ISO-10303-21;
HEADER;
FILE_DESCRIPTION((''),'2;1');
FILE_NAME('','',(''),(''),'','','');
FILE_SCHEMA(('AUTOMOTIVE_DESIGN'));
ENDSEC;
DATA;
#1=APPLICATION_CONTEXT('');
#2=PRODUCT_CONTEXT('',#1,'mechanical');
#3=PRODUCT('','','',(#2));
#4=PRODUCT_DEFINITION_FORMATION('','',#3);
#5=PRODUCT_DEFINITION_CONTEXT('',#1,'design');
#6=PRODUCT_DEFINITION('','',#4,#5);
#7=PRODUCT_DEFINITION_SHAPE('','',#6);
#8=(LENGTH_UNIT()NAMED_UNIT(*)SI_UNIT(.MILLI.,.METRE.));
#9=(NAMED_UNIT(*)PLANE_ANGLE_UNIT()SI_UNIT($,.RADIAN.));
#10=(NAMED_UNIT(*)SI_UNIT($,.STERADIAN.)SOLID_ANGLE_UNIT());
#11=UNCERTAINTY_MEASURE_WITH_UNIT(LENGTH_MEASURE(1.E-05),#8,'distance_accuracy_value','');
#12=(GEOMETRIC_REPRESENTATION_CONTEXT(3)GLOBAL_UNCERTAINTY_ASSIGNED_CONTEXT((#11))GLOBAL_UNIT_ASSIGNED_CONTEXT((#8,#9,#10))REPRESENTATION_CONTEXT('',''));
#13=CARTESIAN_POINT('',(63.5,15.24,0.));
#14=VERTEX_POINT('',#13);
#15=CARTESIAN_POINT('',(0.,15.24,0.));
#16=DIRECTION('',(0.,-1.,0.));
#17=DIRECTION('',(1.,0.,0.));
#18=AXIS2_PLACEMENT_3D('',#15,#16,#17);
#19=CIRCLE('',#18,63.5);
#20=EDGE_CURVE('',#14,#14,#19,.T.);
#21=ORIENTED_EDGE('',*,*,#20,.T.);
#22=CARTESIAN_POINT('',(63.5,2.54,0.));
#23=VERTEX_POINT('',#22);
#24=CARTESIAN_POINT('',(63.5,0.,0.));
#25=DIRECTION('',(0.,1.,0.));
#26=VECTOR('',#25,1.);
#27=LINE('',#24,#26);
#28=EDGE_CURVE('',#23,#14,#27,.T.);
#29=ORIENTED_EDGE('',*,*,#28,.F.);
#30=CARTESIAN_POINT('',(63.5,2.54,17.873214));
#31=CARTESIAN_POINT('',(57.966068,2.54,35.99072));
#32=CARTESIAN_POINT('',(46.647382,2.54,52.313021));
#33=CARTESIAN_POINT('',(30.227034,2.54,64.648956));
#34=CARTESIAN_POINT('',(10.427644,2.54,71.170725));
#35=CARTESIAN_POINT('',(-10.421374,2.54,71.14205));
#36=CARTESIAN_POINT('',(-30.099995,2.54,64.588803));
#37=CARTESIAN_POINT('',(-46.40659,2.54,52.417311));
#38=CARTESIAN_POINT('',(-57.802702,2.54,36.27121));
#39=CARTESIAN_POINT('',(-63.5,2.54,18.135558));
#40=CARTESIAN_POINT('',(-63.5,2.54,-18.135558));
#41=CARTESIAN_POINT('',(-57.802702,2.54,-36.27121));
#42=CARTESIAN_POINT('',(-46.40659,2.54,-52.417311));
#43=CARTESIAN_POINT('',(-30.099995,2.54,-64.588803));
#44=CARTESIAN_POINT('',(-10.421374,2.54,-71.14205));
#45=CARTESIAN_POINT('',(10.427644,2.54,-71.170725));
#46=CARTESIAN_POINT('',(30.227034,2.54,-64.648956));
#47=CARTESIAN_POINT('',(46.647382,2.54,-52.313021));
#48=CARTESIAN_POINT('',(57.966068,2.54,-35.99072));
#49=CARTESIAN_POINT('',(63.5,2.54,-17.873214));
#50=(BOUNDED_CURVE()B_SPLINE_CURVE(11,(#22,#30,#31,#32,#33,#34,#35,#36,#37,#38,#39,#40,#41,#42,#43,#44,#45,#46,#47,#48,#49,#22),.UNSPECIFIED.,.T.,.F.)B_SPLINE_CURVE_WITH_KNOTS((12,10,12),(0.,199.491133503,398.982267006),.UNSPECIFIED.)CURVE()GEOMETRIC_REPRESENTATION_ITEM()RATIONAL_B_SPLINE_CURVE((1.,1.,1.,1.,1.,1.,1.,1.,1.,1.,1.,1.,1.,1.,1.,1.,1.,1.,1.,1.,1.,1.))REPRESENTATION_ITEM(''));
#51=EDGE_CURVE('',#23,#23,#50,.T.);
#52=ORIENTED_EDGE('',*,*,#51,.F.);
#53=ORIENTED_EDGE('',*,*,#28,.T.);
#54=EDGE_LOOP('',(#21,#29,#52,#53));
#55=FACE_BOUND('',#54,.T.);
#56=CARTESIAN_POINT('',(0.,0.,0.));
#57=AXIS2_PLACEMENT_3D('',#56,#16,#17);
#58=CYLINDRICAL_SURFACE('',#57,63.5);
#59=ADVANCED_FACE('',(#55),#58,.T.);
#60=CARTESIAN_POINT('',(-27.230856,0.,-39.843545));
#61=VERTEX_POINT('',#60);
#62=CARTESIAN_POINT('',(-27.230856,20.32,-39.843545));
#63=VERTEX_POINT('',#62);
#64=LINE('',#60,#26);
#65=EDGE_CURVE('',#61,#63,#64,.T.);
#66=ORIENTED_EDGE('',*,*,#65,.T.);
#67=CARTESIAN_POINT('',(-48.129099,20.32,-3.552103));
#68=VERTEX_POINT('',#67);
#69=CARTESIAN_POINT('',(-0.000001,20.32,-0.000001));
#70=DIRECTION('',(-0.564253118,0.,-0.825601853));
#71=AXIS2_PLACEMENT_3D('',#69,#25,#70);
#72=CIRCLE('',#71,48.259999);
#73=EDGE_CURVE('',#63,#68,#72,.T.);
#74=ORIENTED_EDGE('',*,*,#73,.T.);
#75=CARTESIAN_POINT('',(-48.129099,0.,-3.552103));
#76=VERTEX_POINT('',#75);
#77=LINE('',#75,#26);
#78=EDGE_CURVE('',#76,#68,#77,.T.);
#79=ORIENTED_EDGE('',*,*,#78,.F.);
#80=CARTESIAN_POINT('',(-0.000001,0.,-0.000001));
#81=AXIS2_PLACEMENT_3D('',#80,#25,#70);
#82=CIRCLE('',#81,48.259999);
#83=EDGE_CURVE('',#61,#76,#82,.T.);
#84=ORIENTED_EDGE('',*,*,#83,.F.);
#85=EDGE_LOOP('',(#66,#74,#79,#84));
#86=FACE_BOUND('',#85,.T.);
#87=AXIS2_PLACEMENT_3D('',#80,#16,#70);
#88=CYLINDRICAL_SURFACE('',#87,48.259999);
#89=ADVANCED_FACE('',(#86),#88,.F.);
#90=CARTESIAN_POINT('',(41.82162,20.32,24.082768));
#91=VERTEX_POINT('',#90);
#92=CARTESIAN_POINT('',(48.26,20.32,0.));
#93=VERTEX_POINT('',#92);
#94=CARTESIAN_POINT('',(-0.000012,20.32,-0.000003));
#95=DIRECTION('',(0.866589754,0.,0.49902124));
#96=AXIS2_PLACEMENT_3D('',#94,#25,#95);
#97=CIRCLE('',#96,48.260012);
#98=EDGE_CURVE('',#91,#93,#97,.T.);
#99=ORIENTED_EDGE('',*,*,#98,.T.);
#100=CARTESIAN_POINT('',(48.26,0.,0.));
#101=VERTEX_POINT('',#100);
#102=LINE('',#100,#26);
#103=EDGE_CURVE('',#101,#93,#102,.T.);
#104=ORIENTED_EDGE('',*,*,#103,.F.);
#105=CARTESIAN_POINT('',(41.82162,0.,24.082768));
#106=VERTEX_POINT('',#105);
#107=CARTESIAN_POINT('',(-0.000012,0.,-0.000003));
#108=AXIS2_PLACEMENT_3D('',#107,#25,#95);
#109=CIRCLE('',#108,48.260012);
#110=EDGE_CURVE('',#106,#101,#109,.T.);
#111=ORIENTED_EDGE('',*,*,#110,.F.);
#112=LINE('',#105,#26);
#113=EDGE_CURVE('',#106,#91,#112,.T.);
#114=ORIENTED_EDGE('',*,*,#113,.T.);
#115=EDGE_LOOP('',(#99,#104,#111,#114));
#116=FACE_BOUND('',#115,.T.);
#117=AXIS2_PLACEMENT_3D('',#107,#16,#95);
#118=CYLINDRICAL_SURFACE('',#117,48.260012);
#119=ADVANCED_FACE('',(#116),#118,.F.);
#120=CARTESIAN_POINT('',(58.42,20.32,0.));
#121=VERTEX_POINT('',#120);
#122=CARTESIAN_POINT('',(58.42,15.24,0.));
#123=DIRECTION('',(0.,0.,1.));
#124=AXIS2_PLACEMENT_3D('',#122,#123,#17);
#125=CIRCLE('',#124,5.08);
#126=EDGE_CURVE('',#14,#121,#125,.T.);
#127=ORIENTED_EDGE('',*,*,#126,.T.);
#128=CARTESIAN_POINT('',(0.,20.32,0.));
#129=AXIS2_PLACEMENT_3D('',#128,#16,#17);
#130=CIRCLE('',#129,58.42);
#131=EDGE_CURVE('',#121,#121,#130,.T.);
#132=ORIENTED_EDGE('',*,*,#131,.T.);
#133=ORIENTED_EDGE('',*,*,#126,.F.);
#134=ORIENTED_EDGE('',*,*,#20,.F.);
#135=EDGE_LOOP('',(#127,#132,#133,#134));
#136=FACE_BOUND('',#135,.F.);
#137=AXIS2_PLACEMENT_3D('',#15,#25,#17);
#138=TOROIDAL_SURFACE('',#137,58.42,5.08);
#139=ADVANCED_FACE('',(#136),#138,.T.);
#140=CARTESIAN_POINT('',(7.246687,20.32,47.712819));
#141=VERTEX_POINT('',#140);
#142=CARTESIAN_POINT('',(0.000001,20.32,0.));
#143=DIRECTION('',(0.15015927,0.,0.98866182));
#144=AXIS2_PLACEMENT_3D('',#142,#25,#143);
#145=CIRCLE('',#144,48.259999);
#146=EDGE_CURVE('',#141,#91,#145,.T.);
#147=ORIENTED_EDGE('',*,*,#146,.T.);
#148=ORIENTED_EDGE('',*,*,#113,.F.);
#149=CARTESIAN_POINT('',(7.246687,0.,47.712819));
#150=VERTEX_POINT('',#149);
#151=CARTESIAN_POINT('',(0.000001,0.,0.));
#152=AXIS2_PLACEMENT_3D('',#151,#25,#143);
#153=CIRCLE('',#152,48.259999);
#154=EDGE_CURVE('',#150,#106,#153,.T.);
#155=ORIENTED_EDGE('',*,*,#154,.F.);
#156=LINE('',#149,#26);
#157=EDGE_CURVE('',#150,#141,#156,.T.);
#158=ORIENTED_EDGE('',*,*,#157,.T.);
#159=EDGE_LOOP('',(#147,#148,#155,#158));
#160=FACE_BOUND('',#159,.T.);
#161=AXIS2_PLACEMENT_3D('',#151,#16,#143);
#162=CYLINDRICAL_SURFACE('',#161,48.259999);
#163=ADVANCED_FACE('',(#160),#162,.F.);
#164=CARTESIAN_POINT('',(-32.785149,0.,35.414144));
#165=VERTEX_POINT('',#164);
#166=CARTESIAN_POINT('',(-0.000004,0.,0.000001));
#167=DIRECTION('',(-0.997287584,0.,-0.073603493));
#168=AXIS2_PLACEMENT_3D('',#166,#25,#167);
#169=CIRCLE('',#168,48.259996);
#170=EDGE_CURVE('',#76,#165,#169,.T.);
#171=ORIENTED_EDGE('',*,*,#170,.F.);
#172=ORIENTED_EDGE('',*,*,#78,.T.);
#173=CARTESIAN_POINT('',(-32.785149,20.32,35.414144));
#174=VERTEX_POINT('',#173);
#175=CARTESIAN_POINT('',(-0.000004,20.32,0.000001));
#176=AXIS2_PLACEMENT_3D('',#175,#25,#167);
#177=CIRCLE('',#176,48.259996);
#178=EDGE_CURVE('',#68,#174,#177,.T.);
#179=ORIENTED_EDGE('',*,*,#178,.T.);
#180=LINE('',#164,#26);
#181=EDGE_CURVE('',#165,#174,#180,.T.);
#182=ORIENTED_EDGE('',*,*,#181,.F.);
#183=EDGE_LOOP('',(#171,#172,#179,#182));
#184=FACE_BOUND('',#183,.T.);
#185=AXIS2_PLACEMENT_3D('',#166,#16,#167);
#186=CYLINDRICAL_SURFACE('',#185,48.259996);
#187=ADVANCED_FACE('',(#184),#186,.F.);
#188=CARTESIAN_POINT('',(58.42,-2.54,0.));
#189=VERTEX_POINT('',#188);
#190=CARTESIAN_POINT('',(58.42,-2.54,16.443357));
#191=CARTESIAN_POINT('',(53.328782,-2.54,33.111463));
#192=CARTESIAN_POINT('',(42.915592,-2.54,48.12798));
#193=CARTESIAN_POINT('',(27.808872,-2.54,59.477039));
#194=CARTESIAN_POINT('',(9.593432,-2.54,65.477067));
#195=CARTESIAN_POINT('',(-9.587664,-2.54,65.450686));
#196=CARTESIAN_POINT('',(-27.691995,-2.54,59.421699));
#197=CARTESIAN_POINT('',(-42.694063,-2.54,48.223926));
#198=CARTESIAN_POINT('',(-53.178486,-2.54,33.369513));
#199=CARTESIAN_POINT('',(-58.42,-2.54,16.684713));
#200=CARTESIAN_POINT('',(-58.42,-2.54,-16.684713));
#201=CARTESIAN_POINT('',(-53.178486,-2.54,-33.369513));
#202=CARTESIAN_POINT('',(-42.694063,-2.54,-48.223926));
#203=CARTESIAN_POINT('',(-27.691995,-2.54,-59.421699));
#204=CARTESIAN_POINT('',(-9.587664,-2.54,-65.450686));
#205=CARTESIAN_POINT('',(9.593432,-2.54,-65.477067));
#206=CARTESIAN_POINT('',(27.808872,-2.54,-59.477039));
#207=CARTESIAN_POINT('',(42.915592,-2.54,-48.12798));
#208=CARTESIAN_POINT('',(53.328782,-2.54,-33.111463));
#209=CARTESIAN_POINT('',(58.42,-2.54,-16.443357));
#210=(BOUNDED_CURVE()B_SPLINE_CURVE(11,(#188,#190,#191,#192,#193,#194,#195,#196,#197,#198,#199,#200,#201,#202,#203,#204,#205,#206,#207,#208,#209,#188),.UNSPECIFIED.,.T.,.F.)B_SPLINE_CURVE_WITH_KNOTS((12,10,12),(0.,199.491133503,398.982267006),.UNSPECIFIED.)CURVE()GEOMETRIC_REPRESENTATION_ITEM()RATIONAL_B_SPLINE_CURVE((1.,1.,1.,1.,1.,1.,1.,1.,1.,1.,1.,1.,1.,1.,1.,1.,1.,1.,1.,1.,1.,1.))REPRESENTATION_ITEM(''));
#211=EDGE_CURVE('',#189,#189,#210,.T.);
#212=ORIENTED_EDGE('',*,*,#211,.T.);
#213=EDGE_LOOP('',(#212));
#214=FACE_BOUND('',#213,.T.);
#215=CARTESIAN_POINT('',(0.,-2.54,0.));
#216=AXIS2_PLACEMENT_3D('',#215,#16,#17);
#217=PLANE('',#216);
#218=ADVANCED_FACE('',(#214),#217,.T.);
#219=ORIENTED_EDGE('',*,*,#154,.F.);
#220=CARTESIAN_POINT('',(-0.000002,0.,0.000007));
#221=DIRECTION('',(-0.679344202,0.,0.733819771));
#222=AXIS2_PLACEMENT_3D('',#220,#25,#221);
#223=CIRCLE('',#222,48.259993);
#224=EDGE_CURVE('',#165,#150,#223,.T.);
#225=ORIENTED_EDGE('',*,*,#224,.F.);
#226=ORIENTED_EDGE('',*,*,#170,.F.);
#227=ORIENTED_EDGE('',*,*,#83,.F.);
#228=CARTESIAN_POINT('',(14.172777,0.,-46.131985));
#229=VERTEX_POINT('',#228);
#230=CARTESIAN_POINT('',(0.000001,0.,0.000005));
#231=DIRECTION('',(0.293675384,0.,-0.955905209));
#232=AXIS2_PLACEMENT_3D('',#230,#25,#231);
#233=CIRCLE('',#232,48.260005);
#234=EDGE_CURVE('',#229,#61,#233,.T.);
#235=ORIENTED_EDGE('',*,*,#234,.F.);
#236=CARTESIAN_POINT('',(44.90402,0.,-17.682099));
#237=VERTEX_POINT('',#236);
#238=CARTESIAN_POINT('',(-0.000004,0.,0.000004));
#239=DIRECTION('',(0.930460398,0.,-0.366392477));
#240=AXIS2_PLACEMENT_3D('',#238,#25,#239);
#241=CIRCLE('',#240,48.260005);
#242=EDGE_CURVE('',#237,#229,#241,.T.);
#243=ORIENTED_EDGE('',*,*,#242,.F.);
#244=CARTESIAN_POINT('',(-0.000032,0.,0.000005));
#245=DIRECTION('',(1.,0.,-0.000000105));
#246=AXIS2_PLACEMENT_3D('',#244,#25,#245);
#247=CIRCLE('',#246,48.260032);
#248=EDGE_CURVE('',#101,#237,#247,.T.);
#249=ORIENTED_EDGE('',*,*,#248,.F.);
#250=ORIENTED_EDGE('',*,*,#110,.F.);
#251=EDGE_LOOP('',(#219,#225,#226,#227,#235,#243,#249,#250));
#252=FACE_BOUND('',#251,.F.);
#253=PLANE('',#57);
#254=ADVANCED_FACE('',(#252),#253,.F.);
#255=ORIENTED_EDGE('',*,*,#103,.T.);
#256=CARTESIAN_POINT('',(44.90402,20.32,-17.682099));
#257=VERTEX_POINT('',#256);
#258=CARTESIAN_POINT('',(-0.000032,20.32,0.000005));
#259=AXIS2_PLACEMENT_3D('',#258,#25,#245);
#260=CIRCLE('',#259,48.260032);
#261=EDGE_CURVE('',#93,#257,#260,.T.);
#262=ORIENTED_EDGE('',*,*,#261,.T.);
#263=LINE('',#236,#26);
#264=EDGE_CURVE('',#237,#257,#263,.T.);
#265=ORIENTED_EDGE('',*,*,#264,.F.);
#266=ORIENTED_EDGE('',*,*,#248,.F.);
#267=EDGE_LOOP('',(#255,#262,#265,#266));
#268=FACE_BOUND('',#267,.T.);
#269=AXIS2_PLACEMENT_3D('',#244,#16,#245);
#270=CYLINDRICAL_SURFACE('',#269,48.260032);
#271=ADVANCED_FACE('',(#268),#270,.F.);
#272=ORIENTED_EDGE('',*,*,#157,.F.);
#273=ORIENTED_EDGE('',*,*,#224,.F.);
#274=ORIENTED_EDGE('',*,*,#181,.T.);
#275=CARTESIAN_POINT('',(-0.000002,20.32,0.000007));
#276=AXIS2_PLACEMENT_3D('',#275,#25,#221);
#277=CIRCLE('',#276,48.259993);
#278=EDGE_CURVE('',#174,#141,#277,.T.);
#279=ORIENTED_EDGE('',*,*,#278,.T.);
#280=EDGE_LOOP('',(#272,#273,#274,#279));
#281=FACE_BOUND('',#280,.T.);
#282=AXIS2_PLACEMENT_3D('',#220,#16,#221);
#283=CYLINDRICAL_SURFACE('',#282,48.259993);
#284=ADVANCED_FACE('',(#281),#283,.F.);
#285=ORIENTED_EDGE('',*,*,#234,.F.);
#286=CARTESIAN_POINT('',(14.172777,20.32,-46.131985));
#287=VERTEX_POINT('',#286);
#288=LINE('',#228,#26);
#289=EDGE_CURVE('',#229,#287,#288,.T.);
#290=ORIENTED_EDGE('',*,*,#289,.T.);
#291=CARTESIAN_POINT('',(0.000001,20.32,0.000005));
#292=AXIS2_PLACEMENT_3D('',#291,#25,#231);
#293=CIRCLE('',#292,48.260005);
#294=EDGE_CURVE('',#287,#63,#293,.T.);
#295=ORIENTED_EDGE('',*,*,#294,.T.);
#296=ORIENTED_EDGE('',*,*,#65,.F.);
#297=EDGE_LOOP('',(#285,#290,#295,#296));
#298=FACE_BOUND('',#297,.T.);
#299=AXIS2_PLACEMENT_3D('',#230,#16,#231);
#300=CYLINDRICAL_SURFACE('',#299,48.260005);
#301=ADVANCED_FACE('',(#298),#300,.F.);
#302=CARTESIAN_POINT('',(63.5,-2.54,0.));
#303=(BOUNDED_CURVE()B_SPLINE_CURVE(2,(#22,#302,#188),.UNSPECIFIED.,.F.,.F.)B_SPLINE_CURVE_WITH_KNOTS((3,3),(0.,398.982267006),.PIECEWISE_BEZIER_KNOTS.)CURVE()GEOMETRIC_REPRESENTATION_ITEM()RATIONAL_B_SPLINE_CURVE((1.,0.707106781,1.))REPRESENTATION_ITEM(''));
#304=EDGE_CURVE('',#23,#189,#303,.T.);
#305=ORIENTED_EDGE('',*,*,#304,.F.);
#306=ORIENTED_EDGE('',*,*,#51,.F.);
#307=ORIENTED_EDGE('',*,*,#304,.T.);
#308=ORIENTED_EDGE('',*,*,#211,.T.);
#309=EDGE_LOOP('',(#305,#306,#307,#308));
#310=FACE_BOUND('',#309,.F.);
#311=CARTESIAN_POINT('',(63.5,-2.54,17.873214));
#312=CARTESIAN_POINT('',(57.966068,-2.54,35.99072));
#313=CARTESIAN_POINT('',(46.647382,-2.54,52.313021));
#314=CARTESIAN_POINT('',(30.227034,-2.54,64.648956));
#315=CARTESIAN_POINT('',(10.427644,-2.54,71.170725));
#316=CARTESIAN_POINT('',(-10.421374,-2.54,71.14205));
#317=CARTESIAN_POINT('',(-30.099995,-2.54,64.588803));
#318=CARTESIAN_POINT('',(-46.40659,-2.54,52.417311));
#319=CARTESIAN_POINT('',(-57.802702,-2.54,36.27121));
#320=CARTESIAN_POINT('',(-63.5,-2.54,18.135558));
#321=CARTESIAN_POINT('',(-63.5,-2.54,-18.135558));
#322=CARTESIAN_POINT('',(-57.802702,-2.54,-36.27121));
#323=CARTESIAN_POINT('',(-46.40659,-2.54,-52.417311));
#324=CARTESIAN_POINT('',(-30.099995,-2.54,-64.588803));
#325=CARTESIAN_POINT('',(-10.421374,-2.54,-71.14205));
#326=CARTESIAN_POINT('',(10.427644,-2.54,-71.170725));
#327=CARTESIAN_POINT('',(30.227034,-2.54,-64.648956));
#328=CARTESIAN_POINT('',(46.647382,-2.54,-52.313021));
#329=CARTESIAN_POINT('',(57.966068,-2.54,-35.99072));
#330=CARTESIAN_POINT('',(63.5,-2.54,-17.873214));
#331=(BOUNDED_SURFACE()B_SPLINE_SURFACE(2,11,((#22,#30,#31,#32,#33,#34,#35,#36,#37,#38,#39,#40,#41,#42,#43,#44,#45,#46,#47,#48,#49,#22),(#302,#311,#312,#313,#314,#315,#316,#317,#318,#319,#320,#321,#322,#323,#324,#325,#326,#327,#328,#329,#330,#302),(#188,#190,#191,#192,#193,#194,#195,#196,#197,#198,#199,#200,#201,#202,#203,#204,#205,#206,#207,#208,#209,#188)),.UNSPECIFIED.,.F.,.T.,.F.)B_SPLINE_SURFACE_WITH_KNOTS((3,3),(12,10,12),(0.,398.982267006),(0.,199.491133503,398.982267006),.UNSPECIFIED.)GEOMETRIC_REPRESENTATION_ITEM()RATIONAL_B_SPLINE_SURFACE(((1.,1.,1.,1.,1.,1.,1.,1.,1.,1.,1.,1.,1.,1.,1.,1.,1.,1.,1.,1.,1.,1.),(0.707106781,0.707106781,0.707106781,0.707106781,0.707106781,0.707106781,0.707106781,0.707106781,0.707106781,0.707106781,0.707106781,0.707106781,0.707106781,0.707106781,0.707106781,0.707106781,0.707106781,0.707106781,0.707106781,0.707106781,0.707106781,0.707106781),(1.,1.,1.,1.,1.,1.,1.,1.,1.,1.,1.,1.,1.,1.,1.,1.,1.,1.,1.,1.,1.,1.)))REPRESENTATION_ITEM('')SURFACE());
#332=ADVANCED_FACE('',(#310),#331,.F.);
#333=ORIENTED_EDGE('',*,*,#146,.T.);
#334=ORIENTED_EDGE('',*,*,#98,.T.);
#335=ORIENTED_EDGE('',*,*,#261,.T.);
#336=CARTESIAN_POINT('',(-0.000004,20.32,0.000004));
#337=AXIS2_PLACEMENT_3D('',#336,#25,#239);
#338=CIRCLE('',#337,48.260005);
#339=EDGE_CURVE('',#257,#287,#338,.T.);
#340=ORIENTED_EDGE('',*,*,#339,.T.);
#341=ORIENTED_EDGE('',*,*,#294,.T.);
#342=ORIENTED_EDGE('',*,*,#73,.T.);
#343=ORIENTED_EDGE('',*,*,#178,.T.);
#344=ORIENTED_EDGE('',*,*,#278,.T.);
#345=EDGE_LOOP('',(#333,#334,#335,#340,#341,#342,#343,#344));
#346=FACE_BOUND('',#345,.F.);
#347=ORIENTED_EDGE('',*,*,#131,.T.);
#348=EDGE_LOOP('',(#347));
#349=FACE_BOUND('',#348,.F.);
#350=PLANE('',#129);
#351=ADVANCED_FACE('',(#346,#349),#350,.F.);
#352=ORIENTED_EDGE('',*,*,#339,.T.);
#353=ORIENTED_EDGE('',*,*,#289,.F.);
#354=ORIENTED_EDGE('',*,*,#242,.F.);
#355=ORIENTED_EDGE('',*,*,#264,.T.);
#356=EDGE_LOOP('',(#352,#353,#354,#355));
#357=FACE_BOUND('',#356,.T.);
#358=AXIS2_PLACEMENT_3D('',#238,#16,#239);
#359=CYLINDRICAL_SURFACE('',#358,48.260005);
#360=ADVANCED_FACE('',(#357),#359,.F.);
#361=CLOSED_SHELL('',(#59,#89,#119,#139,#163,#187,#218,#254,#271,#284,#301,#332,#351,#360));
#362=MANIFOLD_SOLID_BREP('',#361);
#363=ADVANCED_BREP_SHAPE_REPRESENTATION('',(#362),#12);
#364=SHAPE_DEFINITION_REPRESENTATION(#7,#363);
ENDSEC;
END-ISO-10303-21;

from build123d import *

# Parameters (mm, degrees)
F0_R     = 63.5
F1_DEPTH = 20.32
F2_R     = 63.5
F3_DEPTH = 2.54
F4_R     = 5.08


with BuildPart() as f1:
    # F0 (on Front) → F1 (new body)
    with BuildSketch(Plane.XZ):
        Circle(F0_R)
        with BuildLine():
            ThreePointArc((41.82162, 24.082768), (46.622628, 12.464274), (48.26, 0))
            ThreePointArc((48.26, 0), (47.413582, -8.998878), (44.90402, -17.682099))
            ThreePointArc((44.90402, -17.682099), (32.785149, -35.414144), (14.172777, -46.131985))
            ThreePointArc((14.172777, -46.131985), (-7.246687, -47.712819), (-27.230856, -39.843545))
            ThreePointArc((-27.230856, -39.843545), (-41.82162, -24.082768), (-48.129099, -3.552103))
            ThreePointArc((-48.129099, -3.552103), (-44.90402, 17.682099), (-32.785149, 35.414144))
            ThreePointArc((-32.785149, 35.414144), (-14.172777, 46.131985), (7.246687, 47.712819))
            ThreePointArc((7.246687, 47.712819), (27.230856, 39.843545), (41.82162, 24.082768))
        make_face(mode=Mode.SUBTRACT)
    extrude(amount=-F1_DEPTH)

    # F2 (on Front) → F3 (join)
    with BuildSketch(Plane.XZ):
        Circle(F2_R)
    extrude(amount=F3_DEPTH)

    # F4
    f4_edges = [f1.edges().sort_by_distance(p)[0] for p in [
        (-63.5, -2.54, 0),
        (-63.5, 20.32, 0),
        (63.5, 8.89, 0),
    ]]
    fillet(f4_edges, radius=F4_R)


solid = f1.part
